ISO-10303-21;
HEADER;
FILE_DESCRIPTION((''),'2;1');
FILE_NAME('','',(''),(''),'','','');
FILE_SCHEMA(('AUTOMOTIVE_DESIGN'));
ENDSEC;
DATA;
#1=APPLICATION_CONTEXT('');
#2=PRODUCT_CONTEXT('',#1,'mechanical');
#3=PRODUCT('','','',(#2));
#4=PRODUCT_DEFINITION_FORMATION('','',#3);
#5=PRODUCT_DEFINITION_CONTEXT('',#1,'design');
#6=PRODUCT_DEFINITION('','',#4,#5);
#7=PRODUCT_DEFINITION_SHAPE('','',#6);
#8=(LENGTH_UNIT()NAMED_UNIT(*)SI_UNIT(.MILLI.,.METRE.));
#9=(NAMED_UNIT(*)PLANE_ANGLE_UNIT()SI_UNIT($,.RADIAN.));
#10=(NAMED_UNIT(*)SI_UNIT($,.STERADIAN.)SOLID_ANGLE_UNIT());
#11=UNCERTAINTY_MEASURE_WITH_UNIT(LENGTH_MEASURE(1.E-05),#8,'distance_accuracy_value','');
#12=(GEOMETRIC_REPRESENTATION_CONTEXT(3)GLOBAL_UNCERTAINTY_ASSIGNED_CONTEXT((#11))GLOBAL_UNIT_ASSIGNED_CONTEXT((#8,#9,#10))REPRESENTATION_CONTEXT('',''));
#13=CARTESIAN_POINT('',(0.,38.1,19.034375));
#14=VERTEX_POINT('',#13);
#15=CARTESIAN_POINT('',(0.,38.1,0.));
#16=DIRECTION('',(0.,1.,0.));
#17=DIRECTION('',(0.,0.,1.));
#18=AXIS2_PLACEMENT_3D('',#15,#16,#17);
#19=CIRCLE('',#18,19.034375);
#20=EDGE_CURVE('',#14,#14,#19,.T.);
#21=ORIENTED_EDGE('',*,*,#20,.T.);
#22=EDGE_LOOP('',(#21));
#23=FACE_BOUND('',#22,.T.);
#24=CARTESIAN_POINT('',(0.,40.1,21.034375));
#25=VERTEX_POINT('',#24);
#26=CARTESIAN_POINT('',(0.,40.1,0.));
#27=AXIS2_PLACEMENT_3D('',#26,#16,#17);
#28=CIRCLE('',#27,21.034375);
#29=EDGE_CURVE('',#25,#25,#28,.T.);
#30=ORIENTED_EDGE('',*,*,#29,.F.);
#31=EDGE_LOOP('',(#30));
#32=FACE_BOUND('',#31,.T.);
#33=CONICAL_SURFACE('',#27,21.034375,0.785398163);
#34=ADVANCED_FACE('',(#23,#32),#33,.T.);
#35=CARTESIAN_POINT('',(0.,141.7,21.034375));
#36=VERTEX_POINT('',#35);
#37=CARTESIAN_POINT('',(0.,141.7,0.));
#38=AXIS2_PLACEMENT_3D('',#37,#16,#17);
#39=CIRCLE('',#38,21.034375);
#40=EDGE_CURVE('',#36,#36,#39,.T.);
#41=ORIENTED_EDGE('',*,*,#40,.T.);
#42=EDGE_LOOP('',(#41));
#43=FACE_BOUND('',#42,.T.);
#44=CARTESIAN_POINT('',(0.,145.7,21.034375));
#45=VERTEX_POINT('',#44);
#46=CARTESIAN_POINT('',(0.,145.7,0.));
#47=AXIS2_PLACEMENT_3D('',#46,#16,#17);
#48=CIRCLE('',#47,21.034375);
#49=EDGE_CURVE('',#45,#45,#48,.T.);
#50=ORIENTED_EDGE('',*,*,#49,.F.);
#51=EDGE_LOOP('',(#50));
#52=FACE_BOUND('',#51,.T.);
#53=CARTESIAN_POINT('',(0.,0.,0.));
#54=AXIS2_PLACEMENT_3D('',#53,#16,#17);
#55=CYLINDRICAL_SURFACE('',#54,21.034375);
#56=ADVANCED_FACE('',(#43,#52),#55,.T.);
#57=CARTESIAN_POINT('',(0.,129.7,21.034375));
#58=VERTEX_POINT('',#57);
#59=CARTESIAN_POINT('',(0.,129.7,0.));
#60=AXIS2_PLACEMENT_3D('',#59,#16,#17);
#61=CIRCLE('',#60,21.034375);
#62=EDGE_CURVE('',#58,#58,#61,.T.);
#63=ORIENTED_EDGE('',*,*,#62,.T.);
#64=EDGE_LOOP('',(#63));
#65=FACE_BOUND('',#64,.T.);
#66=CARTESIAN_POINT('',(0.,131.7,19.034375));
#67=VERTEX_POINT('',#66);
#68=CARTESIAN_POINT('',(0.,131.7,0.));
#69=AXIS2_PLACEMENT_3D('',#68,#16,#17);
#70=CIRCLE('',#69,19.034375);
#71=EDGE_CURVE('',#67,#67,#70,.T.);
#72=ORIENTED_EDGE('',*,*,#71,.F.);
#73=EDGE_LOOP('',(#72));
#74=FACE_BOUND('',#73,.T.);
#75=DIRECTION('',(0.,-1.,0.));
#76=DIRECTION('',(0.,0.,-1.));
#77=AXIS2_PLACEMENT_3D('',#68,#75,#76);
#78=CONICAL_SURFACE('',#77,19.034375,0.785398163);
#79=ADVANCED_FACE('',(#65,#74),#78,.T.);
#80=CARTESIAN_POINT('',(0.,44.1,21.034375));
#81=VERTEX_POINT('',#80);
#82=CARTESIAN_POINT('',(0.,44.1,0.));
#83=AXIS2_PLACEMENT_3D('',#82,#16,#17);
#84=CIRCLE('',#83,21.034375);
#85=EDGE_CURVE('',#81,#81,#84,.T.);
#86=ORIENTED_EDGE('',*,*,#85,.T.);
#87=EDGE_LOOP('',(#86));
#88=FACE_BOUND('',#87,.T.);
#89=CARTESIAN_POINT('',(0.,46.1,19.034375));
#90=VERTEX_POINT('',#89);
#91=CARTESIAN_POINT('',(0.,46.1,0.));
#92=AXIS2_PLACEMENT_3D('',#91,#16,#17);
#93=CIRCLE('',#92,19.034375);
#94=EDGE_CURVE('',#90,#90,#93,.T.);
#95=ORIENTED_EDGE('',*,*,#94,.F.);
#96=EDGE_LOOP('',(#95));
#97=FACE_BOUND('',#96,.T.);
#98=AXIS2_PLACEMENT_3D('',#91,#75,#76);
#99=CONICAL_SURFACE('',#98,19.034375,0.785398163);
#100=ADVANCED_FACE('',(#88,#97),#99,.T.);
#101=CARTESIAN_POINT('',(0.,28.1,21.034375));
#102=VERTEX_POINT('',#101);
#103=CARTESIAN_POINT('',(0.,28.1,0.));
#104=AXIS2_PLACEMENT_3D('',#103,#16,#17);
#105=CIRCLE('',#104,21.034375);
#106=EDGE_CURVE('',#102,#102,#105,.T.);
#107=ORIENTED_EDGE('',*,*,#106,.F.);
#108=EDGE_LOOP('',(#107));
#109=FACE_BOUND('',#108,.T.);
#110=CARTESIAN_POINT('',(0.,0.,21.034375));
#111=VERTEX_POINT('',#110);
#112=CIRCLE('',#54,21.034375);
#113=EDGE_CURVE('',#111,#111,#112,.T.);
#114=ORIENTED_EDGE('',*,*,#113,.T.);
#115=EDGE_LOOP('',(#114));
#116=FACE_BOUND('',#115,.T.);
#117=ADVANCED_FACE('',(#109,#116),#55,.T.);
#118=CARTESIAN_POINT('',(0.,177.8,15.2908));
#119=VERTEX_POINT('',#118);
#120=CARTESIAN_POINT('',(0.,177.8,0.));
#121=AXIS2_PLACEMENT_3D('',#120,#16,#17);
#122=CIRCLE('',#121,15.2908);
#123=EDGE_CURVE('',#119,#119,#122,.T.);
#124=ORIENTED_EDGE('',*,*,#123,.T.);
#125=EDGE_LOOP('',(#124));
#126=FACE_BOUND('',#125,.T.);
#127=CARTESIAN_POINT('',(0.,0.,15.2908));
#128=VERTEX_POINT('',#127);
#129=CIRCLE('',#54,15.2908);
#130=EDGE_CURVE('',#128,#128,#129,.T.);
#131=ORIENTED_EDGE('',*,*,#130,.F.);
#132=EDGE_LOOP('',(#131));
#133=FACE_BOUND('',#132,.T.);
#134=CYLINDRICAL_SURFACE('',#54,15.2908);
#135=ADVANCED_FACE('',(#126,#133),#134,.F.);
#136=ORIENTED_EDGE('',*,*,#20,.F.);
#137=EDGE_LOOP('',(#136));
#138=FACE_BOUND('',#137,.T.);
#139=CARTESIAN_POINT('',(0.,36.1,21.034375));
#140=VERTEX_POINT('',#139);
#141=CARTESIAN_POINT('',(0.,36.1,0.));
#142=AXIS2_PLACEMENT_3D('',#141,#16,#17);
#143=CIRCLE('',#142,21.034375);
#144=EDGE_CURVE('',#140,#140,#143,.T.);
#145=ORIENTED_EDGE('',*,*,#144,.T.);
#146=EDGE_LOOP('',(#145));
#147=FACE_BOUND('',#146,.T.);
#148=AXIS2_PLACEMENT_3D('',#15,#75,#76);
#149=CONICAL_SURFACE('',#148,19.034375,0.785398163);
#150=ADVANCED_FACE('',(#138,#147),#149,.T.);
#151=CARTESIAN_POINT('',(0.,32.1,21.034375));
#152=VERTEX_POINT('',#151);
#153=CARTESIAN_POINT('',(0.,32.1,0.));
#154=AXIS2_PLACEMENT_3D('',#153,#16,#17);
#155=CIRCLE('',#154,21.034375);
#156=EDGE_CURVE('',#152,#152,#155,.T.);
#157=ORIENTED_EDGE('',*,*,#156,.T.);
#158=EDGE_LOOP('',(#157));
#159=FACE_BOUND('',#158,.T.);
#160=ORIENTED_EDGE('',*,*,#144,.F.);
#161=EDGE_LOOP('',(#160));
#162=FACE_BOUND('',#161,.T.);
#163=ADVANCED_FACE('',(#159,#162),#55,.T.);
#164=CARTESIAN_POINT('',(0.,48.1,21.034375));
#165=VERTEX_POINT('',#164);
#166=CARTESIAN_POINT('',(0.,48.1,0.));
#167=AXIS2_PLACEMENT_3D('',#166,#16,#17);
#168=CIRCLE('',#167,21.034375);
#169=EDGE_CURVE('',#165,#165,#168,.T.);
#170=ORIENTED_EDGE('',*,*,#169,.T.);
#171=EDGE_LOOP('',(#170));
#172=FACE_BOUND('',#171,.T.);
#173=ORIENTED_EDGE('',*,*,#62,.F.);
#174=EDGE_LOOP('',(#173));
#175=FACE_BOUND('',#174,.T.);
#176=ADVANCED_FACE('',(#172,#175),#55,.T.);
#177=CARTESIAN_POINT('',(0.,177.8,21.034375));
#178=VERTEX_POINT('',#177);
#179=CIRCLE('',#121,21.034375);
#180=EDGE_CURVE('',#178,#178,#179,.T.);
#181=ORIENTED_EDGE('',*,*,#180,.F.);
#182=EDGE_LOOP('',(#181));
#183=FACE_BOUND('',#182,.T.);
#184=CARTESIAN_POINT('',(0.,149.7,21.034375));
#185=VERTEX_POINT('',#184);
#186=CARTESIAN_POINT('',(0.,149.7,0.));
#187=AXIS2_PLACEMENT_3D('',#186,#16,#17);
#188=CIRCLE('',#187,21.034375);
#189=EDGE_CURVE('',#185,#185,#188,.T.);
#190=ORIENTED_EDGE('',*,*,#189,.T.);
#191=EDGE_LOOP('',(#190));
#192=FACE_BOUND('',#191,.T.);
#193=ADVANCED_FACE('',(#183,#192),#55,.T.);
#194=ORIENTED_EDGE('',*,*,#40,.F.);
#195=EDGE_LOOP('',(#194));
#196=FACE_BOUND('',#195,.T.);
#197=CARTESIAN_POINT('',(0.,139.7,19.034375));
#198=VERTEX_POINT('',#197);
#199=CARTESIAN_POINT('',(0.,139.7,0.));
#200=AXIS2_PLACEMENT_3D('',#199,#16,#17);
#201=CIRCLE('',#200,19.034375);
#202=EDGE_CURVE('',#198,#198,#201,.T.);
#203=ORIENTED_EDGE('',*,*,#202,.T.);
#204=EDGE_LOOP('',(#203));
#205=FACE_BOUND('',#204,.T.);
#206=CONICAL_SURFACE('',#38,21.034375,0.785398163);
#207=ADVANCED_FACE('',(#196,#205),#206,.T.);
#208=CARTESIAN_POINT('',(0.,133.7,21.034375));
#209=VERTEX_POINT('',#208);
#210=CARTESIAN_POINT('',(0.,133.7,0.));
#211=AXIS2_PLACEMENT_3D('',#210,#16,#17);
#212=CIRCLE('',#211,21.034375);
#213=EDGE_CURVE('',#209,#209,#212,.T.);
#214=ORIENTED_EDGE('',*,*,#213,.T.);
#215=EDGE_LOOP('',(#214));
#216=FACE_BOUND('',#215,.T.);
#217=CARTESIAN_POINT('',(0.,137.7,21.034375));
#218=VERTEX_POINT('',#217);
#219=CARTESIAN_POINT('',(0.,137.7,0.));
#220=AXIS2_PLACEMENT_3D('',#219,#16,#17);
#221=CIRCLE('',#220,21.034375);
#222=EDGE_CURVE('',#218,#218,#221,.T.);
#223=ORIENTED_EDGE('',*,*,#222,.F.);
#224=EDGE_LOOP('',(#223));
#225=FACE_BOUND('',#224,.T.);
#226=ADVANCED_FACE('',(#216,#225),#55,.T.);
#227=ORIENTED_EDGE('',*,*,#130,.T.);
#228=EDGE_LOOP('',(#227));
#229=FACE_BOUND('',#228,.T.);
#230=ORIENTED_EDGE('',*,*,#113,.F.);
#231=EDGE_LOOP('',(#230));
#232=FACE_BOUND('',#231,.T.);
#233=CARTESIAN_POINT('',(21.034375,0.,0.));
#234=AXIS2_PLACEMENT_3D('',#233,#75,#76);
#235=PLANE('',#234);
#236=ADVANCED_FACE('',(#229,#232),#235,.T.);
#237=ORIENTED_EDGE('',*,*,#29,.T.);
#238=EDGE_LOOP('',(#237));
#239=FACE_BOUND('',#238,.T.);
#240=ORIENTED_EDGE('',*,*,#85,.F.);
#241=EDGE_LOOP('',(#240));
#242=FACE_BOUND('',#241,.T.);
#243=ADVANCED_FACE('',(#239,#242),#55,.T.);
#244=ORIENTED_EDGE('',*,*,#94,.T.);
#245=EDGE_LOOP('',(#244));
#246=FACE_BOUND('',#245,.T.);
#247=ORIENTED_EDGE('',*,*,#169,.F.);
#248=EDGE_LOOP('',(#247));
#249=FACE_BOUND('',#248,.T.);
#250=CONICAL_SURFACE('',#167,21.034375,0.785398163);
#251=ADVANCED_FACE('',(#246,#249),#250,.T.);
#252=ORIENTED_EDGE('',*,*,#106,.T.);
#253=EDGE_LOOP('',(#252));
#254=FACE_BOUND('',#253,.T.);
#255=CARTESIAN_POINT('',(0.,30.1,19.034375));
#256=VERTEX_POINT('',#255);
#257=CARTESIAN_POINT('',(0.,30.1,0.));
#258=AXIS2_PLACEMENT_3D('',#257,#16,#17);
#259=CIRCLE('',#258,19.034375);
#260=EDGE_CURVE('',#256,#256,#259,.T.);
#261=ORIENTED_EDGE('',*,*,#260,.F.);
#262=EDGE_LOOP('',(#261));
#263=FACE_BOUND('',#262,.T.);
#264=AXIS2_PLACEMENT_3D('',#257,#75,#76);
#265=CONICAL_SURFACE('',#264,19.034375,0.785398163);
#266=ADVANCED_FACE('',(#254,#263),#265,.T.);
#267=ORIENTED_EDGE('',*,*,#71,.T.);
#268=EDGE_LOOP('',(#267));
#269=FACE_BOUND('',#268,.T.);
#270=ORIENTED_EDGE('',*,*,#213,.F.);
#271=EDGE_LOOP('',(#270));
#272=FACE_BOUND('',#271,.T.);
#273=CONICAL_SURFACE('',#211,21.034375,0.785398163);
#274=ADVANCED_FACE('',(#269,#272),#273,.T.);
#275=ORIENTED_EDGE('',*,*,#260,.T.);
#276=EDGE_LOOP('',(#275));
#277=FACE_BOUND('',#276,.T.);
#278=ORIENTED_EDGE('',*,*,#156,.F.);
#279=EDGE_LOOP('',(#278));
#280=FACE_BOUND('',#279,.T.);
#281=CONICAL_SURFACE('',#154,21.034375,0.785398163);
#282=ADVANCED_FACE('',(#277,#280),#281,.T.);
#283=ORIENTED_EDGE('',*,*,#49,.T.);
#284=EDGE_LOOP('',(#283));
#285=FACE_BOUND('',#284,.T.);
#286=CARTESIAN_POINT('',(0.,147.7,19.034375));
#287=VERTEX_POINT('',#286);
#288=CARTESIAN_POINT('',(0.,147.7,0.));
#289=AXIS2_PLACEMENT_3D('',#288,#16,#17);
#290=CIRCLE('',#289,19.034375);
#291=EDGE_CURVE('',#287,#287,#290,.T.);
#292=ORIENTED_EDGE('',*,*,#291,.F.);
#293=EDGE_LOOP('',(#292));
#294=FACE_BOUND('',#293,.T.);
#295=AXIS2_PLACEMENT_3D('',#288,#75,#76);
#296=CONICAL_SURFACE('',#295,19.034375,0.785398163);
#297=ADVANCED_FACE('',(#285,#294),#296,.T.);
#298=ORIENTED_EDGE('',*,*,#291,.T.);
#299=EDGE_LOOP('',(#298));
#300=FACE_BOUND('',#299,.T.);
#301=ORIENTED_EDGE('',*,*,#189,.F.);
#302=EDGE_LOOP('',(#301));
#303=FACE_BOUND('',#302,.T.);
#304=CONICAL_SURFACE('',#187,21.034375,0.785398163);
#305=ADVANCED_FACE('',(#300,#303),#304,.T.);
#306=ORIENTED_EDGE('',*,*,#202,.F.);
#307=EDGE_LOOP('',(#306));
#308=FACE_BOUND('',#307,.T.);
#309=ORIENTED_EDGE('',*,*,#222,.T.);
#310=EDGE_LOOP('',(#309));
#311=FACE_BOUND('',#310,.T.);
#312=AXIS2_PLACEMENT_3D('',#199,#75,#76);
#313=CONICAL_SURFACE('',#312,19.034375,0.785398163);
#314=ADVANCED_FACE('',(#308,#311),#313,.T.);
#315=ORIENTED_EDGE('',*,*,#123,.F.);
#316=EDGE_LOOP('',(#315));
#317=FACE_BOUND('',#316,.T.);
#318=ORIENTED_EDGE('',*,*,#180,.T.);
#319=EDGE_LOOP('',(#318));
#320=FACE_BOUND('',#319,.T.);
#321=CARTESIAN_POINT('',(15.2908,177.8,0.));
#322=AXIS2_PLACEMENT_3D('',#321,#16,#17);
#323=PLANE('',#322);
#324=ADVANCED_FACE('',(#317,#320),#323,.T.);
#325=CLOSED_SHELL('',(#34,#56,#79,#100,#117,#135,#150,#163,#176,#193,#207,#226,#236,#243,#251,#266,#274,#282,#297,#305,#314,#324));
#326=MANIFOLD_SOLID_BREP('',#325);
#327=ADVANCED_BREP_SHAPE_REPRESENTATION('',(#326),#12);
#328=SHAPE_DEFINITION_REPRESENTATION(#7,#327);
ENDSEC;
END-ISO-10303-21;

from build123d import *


with BuildPart() as part:
    # Sketch1 → Revolve1 (revolve)
    with BuildSketch(Plane(origin=(0, 0, 0), x_dir=(-1, 0, 0), z_dir=(0, 0, -1)), mode=Mode.PRIVATE) as revolve1_sk:
        Polygon((-15.2908, 177.8), (-21.034375, 177.8), (-21.034375, 149.7), (-19.034375, 147.7), (-21.034375, 145.7), (-21.034375, 141.7), (-19.034375, 139.7), (-21.034375, 137.7), (-21.034375, 133.7), (-19.034375, 131.7), (-21.034375, 129.7), (-21.034375, 88.9), (-21.034375, 48.1), (-19.034375, 46.1), (-21.034375, 44.1), (-21.034375, 40.1), (-19.034375, 38.1), (-21.034375, 36.1), (-21.034375, 32.1), (-19.034375, 30.1), (-21.034375, 28.1), (-21.034375, 0), (-15.2908, 0), align=None)
    revolve(revolve1_sk.sketch.rotate(Axis((0, 0, 0), (0, 1, 0)), 270), axis=Axis((0, 0, 0), (0, 1, 0)))


solid = part.part
